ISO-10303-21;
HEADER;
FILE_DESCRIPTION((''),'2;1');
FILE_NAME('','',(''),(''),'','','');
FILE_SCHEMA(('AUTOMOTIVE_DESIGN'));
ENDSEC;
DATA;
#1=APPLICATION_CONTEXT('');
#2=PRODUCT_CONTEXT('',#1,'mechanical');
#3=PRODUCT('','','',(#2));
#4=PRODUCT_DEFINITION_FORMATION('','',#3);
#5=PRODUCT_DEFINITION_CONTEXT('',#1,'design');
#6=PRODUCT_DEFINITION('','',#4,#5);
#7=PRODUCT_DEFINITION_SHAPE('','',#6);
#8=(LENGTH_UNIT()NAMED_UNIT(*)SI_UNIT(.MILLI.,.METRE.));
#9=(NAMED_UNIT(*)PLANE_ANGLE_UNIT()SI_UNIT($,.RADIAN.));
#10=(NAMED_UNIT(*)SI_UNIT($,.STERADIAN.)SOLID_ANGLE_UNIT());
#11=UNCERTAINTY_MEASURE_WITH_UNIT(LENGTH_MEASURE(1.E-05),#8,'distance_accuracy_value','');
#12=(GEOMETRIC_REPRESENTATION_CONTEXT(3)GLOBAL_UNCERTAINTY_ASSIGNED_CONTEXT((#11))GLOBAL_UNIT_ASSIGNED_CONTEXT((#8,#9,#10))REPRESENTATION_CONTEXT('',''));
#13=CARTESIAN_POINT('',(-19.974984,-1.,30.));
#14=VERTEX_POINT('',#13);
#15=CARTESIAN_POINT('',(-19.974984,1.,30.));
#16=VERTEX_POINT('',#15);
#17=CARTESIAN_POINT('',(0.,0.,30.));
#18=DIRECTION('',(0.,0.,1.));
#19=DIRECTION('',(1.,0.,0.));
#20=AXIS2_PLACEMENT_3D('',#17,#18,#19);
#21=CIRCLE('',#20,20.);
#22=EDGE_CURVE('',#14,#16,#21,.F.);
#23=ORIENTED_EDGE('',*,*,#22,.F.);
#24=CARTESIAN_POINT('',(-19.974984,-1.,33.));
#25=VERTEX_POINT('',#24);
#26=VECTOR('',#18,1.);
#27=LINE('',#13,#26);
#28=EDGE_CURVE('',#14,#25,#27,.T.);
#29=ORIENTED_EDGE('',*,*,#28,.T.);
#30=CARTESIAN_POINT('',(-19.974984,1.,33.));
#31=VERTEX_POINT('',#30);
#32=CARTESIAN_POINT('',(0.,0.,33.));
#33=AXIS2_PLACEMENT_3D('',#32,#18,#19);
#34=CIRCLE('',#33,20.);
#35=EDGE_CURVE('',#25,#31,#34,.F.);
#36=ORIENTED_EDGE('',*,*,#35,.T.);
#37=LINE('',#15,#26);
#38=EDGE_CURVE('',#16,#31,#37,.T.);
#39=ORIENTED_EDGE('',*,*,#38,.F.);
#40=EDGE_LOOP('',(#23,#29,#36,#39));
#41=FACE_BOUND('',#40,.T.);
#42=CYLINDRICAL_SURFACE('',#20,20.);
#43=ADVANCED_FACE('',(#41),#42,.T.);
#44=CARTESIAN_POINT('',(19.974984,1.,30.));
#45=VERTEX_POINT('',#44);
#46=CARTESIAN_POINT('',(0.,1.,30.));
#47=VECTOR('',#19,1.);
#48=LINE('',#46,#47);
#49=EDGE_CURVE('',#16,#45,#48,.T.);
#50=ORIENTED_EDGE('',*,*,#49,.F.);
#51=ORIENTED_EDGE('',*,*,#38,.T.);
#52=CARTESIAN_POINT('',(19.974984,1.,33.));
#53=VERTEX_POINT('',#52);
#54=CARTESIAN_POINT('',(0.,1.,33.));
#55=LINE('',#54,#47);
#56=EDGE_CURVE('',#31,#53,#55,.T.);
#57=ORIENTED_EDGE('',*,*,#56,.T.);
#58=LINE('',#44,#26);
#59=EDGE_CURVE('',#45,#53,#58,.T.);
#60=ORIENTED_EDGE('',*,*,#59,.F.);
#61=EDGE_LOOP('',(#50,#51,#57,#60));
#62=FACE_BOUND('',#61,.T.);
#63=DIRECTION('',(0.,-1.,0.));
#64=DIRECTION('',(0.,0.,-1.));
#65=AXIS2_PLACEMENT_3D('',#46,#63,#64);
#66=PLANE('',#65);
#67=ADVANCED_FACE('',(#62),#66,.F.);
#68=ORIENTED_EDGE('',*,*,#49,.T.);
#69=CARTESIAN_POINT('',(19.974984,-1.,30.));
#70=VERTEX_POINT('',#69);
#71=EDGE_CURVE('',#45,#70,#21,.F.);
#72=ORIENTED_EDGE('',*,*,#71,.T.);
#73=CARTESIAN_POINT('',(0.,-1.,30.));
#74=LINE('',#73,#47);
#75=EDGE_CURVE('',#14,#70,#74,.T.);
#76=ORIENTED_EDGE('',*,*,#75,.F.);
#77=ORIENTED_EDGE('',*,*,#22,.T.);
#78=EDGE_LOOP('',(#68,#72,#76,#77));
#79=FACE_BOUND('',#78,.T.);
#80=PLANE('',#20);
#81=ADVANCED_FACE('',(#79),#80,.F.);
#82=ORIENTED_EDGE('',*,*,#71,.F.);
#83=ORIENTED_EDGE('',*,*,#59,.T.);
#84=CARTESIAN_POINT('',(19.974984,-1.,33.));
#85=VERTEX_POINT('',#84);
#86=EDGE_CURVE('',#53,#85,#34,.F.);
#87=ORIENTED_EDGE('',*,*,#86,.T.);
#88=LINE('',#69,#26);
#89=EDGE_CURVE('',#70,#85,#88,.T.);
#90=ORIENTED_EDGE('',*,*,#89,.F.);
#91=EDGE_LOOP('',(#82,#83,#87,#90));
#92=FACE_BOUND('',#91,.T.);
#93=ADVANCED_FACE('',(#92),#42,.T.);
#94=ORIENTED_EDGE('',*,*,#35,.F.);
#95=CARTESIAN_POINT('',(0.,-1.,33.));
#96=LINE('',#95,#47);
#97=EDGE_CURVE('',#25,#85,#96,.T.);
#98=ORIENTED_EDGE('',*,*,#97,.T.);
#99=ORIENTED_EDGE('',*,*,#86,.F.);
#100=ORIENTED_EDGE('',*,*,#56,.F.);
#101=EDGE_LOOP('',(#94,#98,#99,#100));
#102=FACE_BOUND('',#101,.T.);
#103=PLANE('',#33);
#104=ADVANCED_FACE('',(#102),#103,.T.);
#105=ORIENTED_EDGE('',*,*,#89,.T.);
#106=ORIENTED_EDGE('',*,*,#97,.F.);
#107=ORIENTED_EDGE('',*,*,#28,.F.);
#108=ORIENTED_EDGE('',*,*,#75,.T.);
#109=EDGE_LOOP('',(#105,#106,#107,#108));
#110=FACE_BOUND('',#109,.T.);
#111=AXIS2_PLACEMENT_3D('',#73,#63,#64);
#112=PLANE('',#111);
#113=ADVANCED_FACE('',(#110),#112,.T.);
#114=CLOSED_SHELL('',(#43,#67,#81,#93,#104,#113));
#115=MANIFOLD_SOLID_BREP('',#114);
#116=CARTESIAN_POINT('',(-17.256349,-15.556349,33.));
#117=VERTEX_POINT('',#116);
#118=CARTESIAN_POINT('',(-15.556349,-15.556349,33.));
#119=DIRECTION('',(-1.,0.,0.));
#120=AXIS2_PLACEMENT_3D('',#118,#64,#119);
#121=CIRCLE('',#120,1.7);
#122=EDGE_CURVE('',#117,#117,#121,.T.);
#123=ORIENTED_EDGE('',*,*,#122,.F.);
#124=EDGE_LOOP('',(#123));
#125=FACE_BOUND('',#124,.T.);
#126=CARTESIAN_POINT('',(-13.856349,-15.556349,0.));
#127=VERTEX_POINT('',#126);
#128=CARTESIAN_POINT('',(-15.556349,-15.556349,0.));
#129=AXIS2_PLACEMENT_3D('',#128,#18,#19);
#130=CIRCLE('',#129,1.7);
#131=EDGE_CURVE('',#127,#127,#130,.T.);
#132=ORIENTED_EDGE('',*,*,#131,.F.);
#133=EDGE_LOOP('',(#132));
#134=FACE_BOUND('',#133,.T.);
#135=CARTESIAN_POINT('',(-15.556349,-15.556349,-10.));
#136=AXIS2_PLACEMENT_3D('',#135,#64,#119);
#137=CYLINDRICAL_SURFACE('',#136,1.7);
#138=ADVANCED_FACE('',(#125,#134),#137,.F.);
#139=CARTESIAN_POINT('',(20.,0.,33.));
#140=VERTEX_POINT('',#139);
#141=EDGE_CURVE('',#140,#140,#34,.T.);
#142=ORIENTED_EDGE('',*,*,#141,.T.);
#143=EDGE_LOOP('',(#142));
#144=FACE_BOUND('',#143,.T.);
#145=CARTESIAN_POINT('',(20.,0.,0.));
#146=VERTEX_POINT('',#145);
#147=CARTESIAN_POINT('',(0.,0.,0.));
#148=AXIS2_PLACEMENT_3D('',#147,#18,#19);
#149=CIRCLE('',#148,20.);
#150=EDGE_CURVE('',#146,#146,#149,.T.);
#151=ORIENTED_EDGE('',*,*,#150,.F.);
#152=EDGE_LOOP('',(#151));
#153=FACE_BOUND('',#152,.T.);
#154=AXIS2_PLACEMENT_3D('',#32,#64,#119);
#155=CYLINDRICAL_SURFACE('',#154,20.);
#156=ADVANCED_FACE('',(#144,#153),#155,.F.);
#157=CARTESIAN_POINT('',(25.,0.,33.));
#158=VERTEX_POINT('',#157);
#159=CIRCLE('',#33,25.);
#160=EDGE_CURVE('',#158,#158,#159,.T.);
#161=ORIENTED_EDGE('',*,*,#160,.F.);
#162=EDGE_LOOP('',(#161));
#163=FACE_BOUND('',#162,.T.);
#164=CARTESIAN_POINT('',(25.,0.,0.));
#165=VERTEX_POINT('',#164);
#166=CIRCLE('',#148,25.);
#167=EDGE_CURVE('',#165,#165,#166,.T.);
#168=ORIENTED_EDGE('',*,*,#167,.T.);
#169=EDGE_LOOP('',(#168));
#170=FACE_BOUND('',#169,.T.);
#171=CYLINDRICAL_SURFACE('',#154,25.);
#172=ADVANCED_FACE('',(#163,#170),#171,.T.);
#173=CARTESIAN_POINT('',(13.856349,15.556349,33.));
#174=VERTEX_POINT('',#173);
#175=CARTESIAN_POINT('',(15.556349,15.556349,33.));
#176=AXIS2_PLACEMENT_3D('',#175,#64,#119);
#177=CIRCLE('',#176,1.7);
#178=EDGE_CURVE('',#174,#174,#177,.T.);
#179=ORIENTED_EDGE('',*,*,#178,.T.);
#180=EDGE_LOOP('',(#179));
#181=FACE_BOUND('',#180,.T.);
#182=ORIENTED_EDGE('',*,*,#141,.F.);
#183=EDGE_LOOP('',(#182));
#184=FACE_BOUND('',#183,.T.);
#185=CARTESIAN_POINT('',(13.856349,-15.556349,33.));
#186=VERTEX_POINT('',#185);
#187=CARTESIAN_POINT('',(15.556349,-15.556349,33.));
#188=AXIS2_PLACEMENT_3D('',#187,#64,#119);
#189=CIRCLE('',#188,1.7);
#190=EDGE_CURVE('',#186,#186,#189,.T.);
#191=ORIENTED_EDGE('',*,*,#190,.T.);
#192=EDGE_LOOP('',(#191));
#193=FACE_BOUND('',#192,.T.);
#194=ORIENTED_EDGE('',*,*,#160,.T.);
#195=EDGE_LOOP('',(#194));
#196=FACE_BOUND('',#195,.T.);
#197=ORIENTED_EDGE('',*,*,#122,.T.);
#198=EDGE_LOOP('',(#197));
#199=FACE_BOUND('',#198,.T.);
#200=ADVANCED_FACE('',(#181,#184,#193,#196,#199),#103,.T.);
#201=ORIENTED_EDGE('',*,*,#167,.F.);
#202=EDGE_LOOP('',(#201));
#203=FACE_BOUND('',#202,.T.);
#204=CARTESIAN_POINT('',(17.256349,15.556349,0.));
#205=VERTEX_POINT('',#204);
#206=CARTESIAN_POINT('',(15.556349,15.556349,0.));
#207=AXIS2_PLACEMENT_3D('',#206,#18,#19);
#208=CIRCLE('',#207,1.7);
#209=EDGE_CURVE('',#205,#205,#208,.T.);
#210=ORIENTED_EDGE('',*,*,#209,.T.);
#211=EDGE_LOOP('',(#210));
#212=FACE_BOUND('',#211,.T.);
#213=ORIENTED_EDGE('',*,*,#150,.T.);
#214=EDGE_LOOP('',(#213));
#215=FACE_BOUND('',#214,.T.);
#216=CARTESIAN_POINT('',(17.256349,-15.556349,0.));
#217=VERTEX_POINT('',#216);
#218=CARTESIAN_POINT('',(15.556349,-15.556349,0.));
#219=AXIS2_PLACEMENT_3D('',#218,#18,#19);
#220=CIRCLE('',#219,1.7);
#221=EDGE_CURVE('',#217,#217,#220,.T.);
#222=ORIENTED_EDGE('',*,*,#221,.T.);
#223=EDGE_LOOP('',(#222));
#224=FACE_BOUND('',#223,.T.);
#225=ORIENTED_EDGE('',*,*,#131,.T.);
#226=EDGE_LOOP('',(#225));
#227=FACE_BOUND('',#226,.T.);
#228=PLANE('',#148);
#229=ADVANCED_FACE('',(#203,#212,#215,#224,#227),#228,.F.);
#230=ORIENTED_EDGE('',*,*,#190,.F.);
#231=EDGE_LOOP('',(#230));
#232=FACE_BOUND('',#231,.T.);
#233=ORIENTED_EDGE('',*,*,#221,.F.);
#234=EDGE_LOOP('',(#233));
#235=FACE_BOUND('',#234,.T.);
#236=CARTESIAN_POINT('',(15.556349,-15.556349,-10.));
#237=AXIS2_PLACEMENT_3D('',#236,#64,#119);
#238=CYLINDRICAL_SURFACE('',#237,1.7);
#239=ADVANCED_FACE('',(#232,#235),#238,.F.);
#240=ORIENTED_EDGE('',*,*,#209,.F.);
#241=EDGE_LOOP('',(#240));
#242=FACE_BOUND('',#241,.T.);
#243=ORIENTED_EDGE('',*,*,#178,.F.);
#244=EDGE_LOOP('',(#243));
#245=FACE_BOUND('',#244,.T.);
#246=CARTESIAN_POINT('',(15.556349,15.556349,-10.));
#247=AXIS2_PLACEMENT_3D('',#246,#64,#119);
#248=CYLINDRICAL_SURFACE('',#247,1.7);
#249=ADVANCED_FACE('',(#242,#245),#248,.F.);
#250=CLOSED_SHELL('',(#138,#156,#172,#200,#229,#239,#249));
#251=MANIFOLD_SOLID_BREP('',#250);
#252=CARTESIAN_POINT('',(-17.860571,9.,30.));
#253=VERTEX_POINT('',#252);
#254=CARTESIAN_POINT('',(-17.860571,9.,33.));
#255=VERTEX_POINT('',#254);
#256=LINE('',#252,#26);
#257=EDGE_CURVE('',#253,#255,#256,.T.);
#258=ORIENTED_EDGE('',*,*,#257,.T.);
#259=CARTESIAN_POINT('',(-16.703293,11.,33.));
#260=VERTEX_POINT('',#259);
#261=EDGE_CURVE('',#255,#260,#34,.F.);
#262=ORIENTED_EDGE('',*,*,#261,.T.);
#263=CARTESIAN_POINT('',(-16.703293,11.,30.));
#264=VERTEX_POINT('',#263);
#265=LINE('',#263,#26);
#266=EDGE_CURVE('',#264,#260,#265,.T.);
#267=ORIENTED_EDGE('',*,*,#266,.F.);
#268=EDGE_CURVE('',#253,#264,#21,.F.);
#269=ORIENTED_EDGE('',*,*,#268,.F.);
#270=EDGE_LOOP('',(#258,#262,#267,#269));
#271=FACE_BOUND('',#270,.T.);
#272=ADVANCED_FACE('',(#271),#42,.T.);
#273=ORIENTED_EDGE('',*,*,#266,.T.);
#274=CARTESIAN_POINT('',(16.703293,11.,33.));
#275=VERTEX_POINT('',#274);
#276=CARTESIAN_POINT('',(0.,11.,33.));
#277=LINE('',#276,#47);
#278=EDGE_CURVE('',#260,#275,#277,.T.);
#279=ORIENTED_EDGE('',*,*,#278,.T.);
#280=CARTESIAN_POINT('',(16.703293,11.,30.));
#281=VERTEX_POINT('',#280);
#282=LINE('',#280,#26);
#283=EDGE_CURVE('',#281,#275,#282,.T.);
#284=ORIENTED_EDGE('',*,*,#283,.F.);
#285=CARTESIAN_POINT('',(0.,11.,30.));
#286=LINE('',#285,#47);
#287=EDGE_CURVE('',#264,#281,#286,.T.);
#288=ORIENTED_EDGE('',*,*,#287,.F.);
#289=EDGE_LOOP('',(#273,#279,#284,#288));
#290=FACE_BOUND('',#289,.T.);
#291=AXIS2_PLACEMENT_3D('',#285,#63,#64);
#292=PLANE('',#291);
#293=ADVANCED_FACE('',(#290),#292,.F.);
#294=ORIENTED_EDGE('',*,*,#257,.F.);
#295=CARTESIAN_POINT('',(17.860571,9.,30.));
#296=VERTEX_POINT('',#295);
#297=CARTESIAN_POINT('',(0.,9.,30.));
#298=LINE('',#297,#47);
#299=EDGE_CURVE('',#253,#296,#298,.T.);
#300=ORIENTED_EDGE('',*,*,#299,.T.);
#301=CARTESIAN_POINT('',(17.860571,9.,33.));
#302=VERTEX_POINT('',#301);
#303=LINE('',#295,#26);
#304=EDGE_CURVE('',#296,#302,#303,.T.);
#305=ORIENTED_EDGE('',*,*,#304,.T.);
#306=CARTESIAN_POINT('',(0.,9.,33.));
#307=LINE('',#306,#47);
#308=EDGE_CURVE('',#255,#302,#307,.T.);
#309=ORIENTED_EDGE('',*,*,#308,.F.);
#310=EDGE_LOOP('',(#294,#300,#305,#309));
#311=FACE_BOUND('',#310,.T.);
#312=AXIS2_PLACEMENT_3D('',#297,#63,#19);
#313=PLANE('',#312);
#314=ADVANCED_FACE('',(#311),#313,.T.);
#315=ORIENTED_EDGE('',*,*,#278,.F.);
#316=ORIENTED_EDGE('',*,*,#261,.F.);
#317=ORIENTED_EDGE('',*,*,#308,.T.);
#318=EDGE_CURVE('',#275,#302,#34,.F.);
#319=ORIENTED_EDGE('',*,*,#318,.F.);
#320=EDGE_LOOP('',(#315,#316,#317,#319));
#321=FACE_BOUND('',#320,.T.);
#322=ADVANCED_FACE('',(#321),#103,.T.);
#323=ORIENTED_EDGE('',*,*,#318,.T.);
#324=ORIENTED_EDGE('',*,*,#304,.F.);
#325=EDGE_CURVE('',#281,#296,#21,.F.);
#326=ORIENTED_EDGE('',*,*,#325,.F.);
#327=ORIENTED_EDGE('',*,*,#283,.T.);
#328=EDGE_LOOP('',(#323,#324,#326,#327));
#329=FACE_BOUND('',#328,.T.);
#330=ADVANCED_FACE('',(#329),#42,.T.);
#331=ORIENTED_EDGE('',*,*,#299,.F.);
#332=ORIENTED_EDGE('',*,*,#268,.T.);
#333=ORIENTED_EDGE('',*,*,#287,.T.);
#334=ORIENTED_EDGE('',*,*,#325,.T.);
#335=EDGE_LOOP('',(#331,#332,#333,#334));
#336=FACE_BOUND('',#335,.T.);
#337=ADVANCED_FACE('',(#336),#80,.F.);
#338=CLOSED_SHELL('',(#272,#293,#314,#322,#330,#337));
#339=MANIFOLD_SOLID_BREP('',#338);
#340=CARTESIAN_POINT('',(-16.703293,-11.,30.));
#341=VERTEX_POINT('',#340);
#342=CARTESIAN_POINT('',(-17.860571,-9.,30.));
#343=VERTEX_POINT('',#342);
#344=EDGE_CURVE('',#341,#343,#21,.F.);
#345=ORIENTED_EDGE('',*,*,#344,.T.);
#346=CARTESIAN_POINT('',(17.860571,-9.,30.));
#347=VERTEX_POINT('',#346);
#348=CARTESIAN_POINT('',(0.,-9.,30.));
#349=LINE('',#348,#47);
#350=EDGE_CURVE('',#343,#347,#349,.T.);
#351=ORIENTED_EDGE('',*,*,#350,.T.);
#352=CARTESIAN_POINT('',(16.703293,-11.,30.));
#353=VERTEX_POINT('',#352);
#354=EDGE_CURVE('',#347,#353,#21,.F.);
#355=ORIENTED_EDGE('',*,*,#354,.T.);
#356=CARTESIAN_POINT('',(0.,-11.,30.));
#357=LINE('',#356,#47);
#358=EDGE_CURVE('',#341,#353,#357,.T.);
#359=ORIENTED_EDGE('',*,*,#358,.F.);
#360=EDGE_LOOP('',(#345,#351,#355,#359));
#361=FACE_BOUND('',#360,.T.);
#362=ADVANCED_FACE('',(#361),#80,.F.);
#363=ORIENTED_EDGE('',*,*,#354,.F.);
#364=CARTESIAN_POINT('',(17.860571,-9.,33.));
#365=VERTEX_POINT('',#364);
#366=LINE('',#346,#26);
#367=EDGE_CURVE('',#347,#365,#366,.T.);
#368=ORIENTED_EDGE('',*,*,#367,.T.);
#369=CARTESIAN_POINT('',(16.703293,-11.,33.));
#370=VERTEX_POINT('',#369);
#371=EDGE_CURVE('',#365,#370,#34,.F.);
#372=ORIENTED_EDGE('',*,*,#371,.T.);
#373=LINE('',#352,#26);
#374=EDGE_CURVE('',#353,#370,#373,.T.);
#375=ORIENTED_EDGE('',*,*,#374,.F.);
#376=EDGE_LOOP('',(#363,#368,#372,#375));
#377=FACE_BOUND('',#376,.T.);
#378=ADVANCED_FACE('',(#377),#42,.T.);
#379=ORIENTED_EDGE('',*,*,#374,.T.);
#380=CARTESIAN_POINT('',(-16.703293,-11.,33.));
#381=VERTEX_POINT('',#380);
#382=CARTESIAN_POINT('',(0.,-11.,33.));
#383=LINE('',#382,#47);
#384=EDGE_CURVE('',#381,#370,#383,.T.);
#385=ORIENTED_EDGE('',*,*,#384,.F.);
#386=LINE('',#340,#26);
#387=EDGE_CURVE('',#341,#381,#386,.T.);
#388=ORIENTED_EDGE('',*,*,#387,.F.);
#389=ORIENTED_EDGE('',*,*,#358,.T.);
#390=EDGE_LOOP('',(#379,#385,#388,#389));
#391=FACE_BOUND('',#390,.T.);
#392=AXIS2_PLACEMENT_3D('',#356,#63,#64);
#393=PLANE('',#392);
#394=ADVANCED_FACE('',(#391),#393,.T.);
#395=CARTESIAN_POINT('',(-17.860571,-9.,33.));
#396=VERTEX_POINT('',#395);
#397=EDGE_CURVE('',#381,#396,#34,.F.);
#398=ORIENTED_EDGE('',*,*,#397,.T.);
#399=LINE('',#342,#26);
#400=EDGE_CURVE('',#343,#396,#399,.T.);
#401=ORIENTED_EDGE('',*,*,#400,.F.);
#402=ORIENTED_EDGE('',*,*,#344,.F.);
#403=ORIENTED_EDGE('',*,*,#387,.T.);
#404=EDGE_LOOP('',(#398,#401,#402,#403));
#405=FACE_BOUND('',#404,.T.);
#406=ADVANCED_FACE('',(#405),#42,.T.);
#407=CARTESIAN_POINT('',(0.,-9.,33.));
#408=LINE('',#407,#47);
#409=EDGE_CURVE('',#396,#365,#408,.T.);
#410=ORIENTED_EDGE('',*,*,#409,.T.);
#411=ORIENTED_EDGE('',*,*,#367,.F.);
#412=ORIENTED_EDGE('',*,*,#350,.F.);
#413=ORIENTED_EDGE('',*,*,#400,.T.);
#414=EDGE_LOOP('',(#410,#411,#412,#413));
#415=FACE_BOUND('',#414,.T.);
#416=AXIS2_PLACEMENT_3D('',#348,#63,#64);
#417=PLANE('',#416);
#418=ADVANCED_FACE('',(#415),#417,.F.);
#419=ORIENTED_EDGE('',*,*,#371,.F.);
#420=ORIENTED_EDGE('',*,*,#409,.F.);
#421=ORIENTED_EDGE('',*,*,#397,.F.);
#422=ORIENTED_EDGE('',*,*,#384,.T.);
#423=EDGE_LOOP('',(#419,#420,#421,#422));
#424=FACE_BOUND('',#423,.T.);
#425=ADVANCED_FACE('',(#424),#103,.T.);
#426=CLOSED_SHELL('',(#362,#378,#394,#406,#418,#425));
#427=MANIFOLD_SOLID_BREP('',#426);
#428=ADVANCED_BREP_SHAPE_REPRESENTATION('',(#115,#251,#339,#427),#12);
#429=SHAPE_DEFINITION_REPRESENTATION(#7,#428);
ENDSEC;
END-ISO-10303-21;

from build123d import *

# Parameters (mm, degrees)
SKETCH2_R                                     = 25
SKETCH2_R_2                                   = 20
BOSS_EXTRUDE1_DEPTH                           = 33
BOSS_EXTRUDE4_DEPTH                           = 3
CBORE_FOR_M3_HEX_HEAD_MACHINE_SCREW1_AT_COUNT = 2
CBORE_FOR_M3_HEX_HEAD_MACHINE_SCREW1_AT_PITCH = 31.112698372
CBORE_FOR_M3_HEX_HEAD_MACHINE_SCREW1_2_COUNT  = 2
CBORE_FOR_M3_HEX_HEAD_MACHINE_SCREW1_2_PITCH  = 44


with BuildPart() as part:
    # Sketch2 → Boss-Extrude1 (new body)
    with BuildSketch(Plane.XY):
        Circle(SKETCH2_R)
        Circle(SKETCH2_R_2, mode=Mode.SUBTRACT)
    extrude(amount=BOSS_EXTRUDE1_DEPTH)

    # Sketch5 → CBORE for M3 Hex Head Machine Screw1 (revolve, cut)
    with BuildSketch(Plane(origin=(15.556349186, 15.556349186, -10), x_dir=(0, 1, 0), z_dir=(1, 0, 0))):
        Polygon((0, 0), (0, 43), (1.7, 43), (1.7, 2.3), (4.2, 2.3), (4.2, 0.025), (4.225, 0), align=None)
    cbore_for_m3_hex_head_machine_screw1 = revolve(axis=Axis((15.556349186, 15.556349186, -16.35), (0, 0, 1)), mode=Mode.SUBTRACT)

    # CBORE for M3 Hex Head Machine Screw1 at: CBORE for M3 Hex Head Machine Screw1 ×2
    with Locations(*[(0, -i * CBORE_FOR_M3_HEX_HEAD_MACHINE_SCREW1_AT_PITCH, 0) for i in range(1, CBORE_FOR_M3_HEX_HEAD_MACHINE_SCREW1_AT_COUNT)]):
        add(cbore_for_m3_hex_head_machine_screw1, mode=Mode.SUBTRACT)

    # CBORE for M3 Hex Head Machine Screw1 2: CBORE for M3 Hex Head Machine Screw1 ×2
    with Locations(*[Vector(-0.707106781, -0.707106781, 0) * (i * CBORE_FOR_M3_HEX_HEAD_MACHINE_SCREW1_2_PITCH) for i in range(1, CBORE_FOR_M3_HEX_HEAD_MACHINE_SCREW1_2_COUNT)]):
        add(cbore_for_m3_hex_head_machine_screw1, mode=Mode.SUBTRACT)


with BuildPart() as body_2:
    # Sketch3 → Boss-Extrude4 (new body)
    with BuildSketch(Plane.XY.offset(33)):
        with BuildLine():
            ThreePointArc((-17.320508076, 10), (-17.597644245, 9.503836963), (-17.860571099, 9))
            Line((-17.860571099, 9), (17.860571099, 9))
            ThreePointArc((17.860571099, 9), (17.597644245, 9.503836963), (17.320508076, 10))
            Line((17.320508076, 10), (-17.320508076, 10))
        make_face()
        with BuildLine():
            ThreePointArc((-16.703293088, 11), (-17.019246793, 10.504534192), (-17.320508076, 10))
            Line((-17.320508076, 10), (17.320508076, 10))
            ThreePointArc((17.320508076, 10), (17.019246793, 10.504534192), (16.703293088, 11))
            Line((16.703293088, 11), (-16.703293088, 11))
        make_face()
        with BuildLine():
            ThreePointArc((-20, 0), (-19.993745111, -0.500156421), (-19.974984355, -1))
            Line((-19.974984355, -1), (19.974984355, -1))
            ThreePointArc((19.974984355, -1), (19.993745111, -0.500156421), (20, 0))
            ThreePointArc((20, 0), (19.993745111, 0.500156421), (19.974984355, 1))
            Line((19.974984355, 1), (-19.974984355, 1))
            ThreePointArc((-19.974984355, 1), (-19.993745111, 0.500156421), (-20, 0))
        make_face()
        with BuildLine():
            ThreePointArc((-17.860571099, -9), (-17.597644245, -9.503836963), (-17.320508076, -10))
            Line((-17.320508076, -10), (17.320508076, -10))
            ThreePointArc((17.320508076, -10), (17.597644245, -9.503836963), (17.860571099, -9))
            Line((17.860571099, -9), (-17.860571099, -9))
        make_face()
        with BuildLine():
            Line((17.320508076, -10), (-17.320508076, -10))
            ThreePointArc((-17.320508076, -10), (-17.019246793, -10.504534192), (-16.703293088, -11))
            Line((-16.703293088, -11), (16.703293088, -11))
            ThreePointArc((16.703293088, -11), (17.019246793, -10.504534192), (17.320508076, -10))
        make_face()
    extrude(amount=-BOSS_EXTRUDE4_DEPTH)


solid = Compound([part.part, body_2.part])
